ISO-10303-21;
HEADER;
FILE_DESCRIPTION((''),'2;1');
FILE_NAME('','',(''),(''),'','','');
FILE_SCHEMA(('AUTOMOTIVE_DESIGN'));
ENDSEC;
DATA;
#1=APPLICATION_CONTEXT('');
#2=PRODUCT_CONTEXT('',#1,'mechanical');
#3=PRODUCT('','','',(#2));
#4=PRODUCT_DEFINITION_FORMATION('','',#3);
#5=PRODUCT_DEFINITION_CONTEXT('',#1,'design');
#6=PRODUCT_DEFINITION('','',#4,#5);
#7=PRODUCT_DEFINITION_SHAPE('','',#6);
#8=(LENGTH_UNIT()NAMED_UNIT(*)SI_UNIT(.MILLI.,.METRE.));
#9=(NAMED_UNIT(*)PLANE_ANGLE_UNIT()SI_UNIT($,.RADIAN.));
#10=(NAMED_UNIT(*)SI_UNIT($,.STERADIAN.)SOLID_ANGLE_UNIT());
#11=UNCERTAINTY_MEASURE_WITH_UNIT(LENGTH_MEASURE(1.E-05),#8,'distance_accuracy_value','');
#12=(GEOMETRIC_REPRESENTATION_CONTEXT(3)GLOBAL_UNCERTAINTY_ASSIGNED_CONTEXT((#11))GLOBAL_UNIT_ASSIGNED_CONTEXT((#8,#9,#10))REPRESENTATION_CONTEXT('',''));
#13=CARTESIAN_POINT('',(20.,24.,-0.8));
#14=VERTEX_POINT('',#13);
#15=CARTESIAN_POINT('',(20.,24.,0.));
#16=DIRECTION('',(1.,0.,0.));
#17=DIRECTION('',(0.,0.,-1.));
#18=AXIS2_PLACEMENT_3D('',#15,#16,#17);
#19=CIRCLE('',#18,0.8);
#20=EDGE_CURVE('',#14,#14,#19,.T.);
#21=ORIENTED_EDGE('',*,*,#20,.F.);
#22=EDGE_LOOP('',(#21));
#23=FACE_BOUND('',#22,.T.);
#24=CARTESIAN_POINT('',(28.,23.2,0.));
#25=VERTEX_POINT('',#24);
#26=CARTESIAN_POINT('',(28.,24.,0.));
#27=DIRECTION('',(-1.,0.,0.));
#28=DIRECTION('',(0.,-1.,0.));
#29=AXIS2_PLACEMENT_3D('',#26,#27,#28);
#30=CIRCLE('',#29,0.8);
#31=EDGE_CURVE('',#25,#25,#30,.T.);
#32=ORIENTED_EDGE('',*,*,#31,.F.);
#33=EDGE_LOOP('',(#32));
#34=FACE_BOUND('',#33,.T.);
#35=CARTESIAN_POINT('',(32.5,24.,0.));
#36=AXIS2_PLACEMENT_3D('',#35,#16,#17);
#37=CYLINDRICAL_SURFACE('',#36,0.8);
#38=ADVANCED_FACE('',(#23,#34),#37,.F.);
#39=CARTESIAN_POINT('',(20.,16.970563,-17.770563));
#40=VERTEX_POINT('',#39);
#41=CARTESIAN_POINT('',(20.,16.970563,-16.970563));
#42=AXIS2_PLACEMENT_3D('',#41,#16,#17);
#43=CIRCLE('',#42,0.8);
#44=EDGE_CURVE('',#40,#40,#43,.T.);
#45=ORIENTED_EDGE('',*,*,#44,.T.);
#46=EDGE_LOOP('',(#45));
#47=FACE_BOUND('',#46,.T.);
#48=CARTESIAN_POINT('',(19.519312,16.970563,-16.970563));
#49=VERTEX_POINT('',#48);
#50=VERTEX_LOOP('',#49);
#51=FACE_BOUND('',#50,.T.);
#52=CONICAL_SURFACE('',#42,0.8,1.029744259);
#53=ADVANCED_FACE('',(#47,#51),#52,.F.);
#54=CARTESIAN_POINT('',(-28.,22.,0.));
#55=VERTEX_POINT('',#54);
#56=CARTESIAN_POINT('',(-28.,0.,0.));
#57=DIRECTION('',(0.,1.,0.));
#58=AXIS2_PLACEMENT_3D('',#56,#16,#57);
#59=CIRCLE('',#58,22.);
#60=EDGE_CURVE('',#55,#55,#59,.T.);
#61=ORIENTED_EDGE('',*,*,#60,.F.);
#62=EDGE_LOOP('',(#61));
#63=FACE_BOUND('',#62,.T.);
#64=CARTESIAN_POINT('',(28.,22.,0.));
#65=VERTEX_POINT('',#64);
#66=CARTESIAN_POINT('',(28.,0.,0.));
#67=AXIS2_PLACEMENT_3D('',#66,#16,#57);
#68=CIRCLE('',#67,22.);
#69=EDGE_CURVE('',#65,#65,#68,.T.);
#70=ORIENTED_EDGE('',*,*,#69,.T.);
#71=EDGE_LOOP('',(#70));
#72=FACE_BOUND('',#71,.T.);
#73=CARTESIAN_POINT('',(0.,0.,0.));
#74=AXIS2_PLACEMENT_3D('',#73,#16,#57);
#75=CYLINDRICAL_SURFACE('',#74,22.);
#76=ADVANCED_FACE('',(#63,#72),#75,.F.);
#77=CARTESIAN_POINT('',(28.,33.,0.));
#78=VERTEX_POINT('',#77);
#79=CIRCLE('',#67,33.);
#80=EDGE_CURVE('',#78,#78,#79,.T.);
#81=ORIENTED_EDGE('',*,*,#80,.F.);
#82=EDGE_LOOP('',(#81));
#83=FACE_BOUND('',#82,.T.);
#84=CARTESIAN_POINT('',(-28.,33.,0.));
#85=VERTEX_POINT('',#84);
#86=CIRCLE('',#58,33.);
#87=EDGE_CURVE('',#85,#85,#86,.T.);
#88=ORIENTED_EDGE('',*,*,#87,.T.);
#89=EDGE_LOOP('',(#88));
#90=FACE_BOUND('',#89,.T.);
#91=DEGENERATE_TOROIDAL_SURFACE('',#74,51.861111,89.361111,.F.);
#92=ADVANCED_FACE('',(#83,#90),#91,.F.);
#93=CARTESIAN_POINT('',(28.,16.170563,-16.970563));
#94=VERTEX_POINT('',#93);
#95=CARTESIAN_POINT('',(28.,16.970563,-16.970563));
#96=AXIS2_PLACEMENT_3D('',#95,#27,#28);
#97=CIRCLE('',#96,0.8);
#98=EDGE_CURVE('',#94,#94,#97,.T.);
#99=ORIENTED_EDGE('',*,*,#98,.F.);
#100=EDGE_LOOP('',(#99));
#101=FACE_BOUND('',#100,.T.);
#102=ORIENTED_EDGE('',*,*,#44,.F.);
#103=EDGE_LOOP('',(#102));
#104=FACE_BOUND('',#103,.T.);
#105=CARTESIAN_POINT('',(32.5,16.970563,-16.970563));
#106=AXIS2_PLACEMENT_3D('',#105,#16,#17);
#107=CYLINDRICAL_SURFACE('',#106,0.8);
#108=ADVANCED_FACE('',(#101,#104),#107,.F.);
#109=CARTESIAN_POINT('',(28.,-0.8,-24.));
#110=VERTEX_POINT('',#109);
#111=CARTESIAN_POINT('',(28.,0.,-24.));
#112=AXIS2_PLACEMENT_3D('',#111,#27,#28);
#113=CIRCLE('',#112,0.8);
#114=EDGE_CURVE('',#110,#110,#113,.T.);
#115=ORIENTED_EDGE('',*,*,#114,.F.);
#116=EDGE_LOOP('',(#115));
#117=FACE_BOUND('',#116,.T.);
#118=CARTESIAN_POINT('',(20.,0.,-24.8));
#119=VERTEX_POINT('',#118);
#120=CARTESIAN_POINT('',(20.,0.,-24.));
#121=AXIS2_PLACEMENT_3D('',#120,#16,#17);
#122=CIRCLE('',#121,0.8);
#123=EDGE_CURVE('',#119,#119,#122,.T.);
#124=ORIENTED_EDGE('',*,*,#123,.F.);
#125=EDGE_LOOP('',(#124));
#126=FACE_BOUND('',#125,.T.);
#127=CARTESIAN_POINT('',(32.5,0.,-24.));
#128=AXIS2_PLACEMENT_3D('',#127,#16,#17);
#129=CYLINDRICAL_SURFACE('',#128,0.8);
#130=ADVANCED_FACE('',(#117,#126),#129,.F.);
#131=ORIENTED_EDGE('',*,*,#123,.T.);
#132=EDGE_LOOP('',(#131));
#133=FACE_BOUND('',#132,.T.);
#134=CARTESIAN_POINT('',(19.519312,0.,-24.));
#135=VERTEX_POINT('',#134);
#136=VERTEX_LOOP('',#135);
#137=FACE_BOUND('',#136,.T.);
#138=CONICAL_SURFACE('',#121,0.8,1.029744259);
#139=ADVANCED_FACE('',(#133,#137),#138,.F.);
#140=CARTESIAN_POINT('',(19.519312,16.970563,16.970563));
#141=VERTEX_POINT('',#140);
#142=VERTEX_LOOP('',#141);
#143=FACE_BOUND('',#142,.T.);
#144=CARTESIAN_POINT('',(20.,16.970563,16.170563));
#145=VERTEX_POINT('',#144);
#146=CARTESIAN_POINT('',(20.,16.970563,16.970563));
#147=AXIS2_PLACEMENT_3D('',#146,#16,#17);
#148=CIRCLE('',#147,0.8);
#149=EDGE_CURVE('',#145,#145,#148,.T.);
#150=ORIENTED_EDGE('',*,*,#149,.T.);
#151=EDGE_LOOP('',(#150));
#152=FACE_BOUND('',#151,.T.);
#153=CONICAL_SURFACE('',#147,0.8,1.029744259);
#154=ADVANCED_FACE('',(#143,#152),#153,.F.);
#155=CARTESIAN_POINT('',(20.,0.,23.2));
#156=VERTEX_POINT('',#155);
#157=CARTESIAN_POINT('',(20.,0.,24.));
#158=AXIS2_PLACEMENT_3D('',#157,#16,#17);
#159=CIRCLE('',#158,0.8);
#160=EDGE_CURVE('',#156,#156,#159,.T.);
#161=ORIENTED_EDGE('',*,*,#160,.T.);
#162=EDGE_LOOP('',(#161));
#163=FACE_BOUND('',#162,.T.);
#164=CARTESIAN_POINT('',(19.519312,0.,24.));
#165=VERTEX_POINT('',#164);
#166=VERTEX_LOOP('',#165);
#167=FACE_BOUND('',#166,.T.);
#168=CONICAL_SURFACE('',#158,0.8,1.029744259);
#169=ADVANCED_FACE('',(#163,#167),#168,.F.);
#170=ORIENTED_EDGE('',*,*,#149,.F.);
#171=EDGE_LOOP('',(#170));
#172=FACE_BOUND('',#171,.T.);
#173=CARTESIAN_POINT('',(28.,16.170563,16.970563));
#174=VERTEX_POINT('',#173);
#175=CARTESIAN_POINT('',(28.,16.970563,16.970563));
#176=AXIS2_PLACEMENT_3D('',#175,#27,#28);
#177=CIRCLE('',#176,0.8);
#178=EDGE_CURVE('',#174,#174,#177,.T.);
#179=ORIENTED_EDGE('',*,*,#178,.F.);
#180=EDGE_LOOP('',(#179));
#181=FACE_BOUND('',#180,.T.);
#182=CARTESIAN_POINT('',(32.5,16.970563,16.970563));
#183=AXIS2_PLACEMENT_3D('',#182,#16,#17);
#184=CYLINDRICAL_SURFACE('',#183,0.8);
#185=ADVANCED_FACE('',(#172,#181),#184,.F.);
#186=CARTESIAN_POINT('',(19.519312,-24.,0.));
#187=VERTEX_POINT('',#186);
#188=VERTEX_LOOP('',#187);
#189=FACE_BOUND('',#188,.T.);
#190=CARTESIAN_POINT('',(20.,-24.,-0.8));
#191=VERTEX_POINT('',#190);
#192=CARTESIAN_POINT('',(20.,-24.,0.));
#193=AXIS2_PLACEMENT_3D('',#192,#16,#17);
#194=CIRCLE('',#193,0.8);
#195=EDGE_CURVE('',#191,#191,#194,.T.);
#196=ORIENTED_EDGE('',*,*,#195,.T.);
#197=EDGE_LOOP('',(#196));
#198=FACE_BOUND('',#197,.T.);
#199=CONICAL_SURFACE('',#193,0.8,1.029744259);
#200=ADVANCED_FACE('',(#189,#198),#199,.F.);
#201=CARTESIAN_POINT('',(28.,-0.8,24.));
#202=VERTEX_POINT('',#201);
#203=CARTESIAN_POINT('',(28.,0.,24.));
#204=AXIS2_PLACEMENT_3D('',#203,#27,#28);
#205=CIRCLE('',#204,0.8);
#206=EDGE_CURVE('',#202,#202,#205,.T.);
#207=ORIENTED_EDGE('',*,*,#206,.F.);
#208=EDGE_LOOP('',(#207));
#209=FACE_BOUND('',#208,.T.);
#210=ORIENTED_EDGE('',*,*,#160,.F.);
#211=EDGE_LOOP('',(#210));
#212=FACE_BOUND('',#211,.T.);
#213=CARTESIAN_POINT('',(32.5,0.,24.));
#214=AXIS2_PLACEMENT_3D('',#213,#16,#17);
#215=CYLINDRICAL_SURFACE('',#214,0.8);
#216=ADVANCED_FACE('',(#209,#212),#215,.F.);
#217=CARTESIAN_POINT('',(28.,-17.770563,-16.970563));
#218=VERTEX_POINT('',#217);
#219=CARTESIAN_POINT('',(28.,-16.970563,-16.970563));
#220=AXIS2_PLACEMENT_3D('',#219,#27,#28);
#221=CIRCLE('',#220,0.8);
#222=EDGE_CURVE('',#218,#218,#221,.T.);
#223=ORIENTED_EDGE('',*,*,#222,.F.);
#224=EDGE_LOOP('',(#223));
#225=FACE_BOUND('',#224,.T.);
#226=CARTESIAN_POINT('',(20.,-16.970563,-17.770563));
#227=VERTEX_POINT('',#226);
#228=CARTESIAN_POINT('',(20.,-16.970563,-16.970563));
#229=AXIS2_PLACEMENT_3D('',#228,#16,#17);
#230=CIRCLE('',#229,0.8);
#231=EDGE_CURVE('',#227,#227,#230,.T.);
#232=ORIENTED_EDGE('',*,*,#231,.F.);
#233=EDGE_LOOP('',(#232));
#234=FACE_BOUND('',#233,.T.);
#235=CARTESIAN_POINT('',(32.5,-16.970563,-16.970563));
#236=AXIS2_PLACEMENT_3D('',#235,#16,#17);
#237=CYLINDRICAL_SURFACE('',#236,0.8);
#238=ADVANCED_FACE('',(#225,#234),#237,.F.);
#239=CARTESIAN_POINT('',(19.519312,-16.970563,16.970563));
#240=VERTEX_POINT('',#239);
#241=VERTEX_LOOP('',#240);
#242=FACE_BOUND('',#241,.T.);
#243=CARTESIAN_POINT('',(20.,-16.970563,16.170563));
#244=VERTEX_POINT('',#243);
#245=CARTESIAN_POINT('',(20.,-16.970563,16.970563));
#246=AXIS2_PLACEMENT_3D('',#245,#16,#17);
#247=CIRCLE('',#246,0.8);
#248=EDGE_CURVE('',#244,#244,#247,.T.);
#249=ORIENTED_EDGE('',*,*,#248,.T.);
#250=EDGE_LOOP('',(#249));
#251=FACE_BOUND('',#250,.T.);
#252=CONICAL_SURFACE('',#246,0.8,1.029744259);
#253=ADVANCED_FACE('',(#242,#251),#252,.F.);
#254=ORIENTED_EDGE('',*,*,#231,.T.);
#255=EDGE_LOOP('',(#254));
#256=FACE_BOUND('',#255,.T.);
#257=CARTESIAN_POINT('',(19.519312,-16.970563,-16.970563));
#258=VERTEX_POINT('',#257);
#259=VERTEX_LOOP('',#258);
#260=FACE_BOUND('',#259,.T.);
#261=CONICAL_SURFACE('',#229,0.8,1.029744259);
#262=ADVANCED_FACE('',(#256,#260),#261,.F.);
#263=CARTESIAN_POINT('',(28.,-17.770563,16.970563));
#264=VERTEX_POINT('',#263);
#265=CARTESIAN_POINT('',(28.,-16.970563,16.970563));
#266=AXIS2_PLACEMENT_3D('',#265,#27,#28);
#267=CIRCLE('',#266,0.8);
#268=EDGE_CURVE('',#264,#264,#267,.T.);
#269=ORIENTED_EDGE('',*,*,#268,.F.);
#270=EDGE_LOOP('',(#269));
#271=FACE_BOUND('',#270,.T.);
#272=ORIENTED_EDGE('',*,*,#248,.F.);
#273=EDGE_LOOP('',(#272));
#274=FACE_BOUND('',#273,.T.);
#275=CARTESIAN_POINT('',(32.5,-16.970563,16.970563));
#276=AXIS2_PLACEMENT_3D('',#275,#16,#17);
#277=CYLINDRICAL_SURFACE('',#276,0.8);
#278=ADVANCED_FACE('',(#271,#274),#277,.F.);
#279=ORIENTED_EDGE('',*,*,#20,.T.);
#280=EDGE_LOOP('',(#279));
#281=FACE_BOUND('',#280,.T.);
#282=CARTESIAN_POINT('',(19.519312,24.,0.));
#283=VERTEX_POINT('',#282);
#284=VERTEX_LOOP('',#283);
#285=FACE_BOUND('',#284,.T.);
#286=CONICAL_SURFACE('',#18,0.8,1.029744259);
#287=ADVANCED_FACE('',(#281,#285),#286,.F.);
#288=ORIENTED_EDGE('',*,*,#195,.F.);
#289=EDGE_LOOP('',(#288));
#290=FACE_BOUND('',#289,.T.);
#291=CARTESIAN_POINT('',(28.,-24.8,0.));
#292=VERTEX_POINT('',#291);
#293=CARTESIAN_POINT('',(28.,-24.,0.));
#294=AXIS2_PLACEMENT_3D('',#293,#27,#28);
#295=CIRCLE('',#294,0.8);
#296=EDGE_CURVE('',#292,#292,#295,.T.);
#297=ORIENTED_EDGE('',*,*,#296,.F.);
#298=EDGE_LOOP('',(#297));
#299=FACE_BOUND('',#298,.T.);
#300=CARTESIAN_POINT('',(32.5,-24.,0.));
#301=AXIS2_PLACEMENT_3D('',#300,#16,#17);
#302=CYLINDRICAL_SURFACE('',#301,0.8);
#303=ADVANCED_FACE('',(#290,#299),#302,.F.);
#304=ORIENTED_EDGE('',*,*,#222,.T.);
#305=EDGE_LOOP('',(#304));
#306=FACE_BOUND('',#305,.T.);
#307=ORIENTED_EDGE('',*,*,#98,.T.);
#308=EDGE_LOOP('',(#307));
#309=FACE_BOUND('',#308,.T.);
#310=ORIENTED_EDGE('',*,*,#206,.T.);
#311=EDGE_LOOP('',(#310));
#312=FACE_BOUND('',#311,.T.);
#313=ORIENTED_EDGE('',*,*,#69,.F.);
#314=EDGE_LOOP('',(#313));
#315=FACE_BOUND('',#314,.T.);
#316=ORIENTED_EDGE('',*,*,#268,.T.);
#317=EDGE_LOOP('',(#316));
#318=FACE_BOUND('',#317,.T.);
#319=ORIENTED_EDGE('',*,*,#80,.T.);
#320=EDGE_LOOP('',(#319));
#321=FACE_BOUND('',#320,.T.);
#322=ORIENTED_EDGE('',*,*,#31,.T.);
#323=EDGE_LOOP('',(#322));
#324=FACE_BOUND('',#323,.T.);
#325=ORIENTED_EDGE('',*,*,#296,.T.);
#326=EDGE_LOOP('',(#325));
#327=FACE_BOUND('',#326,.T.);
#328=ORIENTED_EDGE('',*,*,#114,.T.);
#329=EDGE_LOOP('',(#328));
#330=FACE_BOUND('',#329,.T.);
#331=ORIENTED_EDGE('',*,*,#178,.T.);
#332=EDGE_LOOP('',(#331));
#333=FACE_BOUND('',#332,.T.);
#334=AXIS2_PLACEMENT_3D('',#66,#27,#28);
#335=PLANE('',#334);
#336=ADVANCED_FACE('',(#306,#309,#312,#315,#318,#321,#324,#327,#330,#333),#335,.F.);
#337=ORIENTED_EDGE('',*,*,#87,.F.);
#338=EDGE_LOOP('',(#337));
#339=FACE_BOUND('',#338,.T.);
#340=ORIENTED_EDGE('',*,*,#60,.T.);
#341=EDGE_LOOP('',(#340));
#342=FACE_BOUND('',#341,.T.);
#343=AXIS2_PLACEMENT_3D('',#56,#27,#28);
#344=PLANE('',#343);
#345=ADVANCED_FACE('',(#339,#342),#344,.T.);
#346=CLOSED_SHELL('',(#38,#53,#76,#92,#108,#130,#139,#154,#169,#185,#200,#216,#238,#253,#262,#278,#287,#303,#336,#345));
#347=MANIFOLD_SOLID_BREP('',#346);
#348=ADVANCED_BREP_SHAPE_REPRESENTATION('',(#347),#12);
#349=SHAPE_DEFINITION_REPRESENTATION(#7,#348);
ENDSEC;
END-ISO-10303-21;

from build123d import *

# Parameters (mm, degrees)
FORMSENKUNG_F_R_M3_SENKSCHRAUBE_MIT_INNE_D           = 1.6
FORMSENKUNG_F_R_M3_SENKSCHRAUBE_MIT_INNE_DEPTH       = 12.5
FORMSENKUNG_F_R_M3_SENKSCHRAUBE_MIT_INNE_CSINK_D     = 3.75
FORMSENKUNG_F_R_M3_SENKSCHRAUBE_MIT_INNE_CSINK_ANGLE = 90
FORMSENKUNG_F_R_M3_SENKSCHRAUBE_MIT_INNE_TIP         = 0.480688495


with BuildPart() as part:
    # Skizze1 → Rotation1 (revolve)
    with BuildSketch(Plane.XY):
        with BuildLine():
            Line((28, 22), (28, 33))
            ThreePointArc((28, 33), (0, 37.5), (-28, 33))
            Line((-28, 33), (-28, 22))
            Line((-28, 22), (28, 22))
        make_face()
    revolve(axis=Axis((0, 0, 0), (-1, 0, 0)))

    # Formsenkung für M3 Senkschraube mit Innensechskant2
    with Locations(Plane(origin=(32.5, -4.747521164, 0), x_dir=(0, 0, 1), z_dir=(1, 0, 0))):
        with Locations((0, -28.747521164), (16.970562748, -21.718083913), (24, -4.747521164), (16.970562748, 12.223041584), (0, 19.252478836), (-16.970562748, 12.223041584), (-24, -4.747521164), (-16.970562748, -21.718083913), (0, -4.747521164)):
            CounterSinkHole(FORMSENKUNG_F_R_M3_SENKSCHRAUBE_MIT_INNE_D / 2, FORMSENKUNG_F_R_M3_SENKSCHRAUBE_MIT_INNE_CSINK_D / 2, depth=FORMSENKUNG_F_R_M3_SENKSCHRAUBE_MIT_INNE_DEPTH, counter_sink_angle=FORMSENKUNG_F_R_M3_SENKSCHRAUBE_MIT_INNE_CSINK_ANGLE)
            with Locations((0, 0, -(FORMSENKUNG_F_R_M3_SENKSCHRAUBE_MIT_INNE_DEPTH + FORMSENKUNG_F_R_M3_SENKSCHRAUBE_MIT_INNE_TIP / 2))):  # 118° drill point
                Cone(0, FORMSENKUNG_F_R_M3_SENKSCHRAUBE_MIT_INNE_D / 2, FORMSENKUNG_F_R_M3_SENKSCHRAUBE_MIT_INNE_TIP, mode=Mode.SUBTRACT)


solid = part.part
